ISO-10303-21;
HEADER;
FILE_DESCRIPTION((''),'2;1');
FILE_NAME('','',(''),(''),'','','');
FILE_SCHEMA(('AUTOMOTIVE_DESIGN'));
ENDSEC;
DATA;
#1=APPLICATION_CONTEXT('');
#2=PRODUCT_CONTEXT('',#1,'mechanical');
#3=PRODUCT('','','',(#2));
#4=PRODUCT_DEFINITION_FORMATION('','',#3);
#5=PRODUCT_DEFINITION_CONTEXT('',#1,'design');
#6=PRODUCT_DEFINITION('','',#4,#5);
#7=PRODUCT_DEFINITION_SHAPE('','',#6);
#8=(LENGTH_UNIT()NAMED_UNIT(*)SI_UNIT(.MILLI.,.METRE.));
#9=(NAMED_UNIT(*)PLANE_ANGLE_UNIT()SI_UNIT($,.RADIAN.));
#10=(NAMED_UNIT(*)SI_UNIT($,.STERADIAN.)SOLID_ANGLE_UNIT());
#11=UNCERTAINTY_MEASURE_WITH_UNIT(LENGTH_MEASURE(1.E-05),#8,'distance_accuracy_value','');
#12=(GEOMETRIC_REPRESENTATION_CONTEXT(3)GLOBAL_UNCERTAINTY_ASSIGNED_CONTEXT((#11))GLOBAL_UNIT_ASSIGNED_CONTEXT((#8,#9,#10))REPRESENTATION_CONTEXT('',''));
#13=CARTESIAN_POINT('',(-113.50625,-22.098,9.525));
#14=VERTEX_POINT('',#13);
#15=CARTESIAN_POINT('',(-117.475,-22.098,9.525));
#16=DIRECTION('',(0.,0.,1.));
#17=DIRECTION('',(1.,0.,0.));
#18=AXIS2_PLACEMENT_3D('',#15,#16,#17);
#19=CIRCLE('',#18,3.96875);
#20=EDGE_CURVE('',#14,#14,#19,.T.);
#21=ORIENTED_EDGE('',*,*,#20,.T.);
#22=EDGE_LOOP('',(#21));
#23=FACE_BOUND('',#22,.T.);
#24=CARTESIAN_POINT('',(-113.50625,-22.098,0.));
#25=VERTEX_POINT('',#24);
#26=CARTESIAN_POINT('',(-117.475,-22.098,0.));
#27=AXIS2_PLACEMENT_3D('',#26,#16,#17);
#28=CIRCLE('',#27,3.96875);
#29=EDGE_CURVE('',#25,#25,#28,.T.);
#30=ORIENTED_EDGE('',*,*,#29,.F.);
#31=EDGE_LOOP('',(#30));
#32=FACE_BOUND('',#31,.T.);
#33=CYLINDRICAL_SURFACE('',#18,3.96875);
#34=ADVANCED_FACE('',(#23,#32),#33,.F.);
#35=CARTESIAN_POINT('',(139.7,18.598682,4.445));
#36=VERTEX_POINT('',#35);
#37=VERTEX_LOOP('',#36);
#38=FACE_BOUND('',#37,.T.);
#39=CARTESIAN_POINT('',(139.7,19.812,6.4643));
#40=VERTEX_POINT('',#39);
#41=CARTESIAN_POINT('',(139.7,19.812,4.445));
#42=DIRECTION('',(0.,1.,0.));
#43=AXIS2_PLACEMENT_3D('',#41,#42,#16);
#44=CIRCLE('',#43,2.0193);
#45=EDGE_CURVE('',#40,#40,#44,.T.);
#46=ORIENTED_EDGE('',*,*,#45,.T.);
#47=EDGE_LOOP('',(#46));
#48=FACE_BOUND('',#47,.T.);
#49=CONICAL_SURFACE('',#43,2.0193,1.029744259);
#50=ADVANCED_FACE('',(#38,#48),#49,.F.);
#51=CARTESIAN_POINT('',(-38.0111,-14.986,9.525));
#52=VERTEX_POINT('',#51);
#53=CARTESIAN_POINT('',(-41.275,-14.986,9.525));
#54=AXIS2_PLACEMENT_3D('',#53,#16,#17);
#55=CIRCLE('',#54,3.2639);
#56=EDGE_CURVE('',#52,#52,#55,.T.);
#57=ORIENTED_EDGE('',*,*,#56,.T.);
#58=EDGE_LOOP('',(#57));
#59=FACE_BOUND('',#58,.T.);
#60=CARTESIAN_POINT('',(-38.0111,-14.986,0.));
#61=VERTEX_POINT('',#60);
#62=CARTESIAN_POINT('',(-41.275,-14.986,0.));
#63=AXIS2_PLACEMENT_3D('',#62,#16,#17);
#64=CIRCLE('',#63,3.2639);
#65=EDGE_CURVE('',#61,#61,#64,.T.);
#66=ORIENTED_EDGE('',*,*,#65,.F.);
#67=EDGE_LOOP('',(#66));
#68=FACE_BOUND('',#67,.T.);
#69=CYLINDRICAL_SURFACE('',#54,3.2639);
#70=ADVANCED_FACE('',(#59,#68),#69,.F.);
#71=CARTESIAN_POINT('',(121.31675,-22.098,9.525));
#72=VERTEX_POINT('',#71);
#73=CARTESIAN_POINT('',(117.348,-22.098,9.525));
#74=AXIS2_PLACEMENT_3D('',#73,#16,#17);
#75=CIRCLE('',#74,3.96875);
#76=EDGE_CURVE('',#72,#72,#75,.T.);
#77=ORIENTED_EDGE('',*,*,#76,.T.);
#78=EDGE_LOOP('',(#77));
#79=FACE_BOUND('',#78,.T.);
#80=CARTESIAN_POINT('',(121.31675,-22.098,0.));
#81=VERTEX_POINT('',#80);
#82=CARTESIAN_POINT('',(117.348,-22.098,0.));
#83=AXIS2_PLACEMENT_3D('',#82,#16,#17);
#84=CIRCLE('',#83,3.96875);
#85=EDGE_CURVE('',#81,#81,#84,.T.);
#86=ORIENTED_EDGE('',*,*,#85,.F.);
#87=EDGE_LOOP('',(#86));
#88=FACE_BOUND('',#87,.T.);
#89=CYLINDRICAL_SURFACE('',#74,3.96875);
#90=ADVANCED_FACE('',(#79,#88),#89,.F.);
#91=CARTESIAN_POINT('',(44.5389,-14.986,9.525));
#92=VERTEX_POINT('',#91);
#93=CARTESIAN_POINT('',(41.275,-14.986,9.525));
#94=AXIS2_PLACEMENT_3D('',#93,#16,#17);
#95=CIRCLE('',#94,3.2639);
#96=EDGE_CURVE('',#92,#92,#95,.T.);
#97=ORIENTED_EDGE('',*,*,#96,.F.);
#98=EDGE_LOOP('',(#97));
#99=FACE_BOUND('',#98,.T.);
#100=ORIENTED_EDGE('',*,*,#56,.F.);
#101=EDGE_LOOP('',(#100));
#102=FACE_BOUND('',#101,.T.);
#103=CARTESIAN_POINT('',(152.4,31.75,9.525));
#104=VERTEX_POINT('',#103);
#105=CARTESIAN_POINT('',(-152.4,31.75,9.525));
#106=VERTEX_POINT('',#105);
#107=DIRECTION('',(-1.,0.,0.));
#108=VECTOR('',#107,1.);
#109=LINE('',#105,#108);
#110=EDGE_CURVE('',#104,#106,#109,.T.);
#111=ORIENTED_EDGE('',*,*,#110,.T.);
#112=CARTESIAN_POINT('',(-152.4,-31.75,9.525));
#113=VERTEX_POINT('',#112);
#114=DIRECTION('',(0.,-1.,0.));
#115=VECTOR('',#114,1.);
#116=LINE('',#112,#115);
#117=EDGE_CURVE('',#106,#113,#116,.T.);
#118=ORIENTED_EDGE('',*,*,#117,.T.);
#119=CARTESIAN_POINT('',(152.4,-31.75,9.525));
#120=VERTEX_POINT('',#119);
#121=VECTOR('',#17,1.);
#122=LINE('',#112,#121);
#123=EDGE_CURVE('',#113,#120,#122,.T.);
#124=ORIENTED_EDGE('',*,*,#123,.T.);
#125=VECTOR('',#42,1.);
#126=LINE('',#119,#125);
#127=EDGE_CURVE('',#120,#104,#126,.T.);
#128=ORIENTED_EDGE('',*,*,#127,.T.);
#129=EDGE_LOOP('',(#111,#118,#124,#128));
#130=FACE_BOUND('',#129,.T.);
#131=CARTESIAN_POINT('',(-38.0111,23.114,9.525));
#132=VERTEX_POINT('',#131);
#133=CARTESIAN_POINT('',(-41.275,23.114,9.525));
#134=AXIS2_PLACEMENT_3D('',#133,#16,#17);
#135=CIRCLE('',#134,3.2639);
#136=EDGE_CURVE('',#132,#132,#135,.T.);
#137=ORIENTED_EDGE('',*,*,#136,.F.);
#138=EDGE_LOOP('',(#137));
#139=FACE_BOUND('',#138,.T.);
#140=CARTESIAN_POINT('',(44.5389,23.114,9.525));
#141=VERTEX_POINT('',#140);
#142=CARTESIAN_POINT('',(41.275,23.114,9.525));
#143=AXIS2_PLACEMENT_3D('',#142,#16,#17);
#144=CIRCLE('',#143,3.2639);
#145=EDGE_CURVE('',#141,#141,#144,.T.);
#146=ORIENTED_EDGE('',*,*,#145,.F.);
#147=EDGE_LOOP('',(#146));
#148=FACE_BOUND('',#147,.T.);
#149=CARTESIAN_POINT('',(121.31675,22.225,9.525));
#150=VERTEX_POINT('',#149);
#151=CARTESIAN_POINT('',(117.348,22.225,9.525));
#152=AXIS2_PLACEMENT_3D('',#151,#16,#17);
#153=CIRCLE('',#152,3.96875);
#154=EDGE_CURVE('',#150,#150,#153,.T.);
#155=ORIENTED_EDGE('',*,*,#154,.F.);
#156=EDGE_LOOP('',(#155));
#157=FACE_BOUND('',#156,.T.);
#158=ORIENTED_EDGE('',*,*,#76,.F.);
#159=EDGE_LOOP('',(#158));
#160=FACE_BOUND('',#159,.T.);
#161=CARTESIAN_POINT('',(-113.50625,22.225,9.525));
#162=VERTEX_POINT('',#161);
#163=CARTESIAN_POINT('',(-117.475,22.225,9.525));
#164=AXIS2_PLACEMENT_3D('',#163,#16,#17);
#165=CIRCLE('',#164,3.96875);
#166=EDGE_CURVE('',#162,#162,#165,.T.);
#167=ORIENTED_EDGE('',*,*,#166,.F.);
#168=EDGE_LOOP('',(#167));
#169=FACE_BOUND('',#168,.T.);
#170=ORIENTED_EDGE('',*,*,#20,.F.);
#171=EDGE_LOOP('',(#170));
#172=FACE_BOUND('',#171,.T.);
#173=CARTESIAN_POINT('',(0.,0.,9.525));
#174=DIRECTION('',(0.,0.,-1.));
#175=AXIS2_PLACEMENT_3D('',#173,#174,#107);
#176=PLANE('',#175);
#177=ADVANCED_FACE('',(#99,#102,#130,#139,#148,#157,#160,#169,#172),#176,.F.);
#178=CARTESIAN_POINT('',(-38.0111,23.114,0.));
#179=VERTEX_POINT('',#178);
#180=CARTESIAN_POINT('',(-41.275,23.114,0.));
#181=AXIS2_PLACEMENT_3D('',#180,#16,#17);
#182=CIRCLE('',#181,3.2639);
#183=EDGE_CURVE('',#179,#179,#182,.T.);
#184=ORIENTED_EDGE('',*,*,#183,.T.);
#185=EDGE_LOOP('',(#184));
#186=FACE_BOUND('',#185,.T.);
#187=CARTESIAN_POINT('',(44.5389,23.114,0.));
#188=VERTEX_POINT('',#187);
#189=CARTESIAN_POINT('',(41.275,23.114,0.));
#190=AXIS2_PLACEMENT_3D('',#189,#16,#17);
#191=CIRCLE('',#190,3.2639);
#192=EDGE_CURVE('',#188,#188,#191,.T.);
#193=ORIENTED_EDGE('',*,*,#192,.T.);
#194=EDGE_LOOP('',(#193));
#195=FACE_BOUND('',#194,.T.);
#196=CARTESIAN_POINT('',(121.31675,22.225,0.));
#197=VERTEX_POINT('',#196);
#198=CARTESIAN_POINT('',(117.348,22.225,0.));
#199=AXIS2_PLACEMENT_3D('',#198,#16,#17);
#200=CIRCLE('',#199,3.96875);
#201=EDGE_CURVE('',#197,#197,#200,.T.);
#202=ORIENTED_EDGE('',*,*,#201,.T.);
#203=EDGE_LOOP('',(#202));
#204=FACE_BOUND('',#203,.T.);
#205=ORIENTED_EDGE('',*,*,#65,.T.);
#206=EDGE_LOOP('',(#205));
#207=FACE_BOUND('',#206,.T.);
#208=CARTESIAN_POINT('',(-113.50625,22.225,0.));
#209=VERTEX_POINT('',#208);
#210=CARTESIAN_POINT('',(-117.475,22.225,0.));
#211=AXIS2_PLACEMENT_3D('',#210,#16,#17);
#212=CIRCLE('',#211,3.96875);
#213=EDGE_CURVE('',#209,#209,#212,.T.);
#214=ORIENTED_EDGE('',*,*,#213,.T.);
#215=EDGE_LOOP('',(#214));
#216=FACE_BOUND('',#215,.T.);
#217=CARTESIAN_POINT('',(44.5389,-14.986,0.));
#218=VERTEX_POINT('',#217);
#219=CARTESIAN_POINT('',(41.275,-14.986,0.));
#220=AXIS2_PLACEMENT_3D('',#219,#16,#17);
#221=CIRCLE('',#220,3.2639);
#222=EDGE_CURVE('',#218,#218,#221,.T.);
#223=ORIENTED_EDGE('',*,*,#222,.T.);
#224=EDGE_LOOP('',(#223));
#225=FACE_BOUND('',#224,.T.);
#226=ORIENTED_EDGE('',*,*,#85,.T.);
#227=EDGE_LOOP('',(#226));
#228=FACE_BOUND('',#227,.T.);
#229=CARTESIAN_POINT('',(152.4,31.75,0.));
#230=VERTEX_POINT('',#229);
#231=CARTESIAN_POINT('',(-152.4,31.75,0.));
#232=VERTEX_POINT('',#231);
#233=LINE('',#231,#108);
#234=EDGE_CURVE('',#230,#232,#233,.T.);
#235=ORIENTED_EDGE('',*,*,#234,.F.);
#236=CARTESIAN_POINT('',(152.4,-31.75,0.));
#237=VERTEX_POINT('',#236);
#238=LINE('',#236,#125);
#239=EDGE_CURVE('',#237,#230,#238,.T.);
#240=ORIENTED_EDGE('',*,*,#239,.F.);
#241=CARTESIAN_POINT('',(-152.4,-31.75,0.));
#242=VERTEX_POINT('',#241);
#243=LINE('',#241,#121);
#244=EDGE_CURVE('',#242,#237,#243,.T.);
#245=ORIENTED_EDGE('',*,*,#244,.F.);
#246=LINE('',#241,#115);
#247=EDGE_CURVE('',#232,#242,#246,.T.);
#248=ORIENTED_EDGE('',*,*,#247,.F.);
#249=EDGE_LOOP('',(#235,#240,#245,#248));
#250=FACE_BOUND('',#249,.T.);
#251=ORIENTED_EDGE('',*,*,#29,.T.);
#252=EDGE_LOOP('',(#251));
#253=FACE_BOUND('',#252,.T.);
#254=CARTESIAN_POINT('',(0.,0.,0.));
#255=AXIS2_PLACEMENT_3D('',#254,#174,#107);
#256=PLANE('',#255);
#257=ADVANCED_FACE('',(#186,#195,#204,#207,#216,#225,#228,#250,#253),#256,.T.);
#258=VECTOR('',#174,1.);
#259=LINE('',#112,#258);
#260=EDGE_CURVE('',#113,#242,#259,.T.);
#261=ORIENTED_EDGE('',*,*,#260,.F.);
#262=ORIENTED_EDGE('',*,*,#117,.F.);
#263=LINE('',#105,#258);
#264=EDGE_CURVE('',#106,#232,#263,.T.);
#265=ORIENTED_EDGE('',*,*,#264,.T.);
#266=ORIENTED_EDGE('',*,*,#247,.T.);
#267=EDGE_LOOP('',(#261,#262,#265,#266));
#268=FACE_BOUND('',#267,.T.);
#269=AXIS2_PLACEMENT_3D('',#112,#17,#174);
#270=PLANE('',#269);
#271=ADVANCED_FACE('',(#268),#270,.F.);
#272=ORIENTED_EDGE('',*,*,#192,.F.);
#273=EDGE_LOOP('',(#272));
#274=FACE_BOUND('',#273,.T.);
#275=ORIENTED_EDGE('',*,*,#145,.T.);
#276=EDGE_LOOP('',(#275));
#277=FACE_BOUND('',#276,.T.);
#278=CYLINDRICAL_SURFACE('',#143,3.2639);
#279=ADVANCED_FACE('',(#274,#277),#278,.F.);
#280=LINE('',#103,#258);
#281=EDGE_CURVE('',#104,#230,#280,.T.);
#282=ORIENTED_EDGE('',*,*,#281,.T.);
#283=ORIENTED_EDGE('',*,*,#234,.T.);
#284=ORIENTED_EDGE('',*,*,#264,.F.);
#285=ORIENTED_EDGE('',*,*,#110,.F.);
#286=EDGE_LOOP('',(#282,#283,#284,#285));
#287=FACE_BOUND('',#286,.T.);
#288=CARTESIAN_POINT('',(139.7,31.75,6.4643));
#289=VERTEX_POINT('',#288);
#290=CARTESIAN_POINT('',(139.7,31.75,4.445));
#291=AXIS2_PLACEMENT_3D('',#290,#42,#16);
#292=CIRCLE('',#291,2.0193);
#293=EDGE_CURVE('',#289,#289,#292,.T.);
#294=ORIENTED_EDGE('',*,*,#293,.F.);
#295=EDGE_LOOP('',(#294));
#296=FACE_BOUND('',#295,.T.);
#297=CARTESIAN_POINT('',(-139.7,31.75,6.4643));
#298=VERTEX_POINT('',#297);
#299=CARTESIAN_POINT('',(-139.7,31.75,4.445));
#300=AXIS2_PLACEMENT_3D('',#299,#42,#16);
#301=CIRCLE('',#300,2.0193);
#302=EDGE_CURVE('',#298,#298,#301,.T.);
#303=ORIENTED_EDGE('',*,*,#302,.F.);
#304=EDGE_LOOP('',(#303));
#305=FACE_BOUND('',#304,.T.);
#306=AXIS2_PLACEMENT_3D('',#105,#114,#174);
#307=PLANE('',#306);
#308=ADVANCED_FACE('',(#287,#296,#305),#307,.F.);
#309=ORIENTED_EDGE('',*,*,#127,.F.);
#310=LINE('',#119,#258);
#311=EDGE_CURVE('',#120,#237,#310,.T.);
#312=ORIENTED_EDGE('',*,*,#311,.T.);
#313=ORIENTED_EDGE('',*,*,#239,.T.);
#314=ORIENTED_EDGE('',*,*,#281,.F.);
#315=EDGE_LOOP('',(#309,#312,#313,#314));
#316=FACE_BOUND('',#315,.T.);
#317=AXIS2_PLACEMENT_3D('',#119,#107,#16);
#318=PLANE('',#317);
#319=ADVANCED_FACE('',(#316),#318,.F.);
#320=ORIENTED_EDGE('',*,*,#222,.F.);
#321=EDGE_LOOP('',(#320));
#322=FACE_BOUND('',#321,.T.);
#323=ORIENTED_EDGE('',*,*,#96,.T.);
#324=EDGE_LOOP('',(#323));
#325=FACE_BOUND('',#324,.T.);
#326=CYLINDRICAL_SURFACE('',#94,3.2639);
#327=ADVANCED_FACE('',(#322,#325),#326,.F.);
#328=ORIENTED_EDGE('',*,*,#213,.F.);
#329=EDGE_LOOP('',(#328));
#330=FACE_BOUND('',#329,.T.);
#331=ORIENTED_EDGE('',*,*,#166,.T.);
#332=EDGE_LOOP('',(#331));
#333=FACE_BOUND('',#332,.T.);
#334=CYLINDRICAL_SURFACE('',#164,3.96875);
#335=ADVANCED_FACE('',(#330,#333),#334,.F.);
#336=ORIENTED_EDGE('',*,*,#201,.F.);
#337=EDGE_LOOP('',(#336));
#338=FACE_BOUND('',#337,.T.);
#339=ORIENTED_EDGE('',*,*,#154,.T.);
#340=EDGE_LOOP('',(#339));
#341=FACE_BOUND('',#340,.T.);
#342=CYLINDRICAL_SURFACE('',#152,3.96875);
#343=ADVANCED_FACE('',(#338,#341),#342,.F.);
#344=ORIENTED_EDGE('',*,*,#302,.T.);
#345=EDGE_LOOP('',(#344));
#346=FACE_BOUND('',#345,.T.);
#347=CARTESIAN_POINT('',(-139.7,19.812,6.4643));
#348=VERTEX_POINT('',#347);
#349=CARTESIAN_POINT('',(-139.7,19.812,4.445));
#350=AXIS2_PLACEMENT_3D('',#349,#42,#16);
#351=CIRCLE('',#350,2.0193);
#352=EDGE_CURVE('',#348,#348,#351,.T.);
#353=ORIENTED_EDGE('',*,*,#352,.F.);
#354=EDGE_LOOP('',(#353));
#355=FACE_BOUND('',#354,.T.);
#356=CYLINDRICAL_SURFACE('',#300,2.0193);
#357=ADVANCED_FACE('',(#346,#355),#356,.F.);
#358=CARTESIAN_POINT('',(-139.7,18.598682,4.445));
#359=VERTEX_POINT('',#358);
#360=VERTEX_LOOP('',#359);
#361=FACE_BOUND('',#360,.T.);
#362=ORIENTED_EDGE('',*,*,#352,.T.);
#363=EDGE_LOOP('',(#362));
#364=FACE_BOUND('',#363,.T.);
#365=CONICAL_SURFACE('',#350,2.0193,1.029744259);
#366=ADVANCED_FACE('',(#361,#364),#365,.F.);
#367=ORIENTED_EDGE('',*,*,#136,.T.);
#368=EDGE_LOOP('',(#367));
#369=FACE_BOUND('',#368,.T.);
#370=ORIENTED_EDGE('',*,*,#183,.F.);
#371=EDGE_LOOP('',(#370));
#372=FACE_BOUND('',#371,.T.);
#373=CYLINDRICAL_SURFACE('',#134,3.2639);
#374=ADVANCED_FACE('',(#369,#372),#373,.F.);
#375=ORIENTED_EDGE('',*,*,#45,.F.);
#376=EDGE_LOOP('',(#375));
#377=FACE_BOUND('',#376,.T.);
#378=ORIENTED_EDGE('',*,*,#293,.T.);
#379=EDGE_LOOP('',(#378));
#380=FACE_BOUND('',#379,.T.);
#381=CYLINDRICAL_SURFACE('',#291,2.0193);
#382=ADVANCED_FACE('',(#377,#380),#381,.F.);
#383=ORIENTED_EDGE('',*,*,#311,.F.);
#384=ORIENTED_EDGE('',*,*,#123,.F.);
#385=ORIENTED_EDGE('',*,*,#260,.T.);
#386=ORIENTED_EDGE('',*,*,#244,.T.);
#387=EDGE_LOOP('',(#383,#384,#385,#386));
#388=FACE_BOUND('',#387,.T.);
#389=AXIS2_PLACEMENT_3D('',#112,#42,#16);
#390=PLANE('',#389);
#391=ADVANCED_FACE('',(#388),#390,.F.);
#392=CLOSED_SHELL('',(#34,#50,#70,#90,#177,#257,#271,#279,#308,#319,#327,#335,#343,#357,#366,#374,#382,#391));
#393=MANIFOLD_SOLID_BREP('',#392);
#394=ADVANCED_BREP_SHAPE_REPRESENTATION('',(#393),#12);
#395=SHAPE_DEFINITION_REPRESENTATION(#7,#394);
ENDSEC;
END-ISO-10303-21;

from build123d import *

# Parameters (mm, degrees)
SKETCH1_W                      = 304.8
SKETCH1_H                      = 63.5
BOSS_EXTRUDE1_DEPTH            = 9.525
F_5_16_18_TAPPED_HOLE1_D       = 6.5278
F_5_16_0_3125_DIAMETER_HOLE1_D = 7.9375
F_10_32_TAPPED_HOLE1_D         = 4.0386
F_10_32_TAPPED_HOLE1_DEPTH     = 11.938
F_10_32_TAPPED_HOLE1_TIP       = 1.213317848


with BuildPart() as part:
    # Sketch1 → Boss-Extrude1 (new body)
    with BuildSketch(Plane.XY):
        Rectangle(SKETCH1_W, SKETCH1_H)
    extrude(amount=BOSS_EXTRUDE1_DEPTH)

    # 5/16-18 Tapped Hole1 (through all)
    with Locations(Plane(origin=(-41.275, 23.114, 9.525), x_dir=(1, 0, 0), z_dir=(0, 0, 1))):
        with Locations((0, 0), (82.55, 0), (82.55, -38.1), (0, -38.1)):
            Hole(F_5_16_18_TAPPED_HOLE1_D / 2)

    # 5/16 (0.3125) Diameter Hole1 (through all)
    with Locations(Plane(origin=(-117.475, 22.225, 9.525), x_dir=(1, 0, 0), z_dir=(0, 0, 1))):
        with Locations((0, 0), (0, -44.323), (234.823, -44.323), (234.823, 0)):
            Hole(F_5_16_0_3125_DIAMETER_HOLE1_D / 2)

    # #10-32 Tapped Hole1
    with Locations(Plane(origin=(-139.7, 31.75, 4.445), x_dir=(0, 0, 1), z_dir=(0, 1, 0))):
        with Locations((0, 0), (0, 279.4)):
            Hole(F_10_32_TAPPED_HOLE1_D / 2, depth=F_10_32_TAPPED_HOLE1_DEPTH)
            with Locations((0, 0, -(F_10_32_TAPPED_HOLE1_DEPTH + F_10_32_TAPPED_HOLE1_TIP / 2))):  # 118° drill point
                Cone(0, F_10_32_TAPPED_HOLE1_D / 2, F_10_32_TAPPED_HOLE1_TIP, mode=Mode.SUBTRACT)


solid = part.part
